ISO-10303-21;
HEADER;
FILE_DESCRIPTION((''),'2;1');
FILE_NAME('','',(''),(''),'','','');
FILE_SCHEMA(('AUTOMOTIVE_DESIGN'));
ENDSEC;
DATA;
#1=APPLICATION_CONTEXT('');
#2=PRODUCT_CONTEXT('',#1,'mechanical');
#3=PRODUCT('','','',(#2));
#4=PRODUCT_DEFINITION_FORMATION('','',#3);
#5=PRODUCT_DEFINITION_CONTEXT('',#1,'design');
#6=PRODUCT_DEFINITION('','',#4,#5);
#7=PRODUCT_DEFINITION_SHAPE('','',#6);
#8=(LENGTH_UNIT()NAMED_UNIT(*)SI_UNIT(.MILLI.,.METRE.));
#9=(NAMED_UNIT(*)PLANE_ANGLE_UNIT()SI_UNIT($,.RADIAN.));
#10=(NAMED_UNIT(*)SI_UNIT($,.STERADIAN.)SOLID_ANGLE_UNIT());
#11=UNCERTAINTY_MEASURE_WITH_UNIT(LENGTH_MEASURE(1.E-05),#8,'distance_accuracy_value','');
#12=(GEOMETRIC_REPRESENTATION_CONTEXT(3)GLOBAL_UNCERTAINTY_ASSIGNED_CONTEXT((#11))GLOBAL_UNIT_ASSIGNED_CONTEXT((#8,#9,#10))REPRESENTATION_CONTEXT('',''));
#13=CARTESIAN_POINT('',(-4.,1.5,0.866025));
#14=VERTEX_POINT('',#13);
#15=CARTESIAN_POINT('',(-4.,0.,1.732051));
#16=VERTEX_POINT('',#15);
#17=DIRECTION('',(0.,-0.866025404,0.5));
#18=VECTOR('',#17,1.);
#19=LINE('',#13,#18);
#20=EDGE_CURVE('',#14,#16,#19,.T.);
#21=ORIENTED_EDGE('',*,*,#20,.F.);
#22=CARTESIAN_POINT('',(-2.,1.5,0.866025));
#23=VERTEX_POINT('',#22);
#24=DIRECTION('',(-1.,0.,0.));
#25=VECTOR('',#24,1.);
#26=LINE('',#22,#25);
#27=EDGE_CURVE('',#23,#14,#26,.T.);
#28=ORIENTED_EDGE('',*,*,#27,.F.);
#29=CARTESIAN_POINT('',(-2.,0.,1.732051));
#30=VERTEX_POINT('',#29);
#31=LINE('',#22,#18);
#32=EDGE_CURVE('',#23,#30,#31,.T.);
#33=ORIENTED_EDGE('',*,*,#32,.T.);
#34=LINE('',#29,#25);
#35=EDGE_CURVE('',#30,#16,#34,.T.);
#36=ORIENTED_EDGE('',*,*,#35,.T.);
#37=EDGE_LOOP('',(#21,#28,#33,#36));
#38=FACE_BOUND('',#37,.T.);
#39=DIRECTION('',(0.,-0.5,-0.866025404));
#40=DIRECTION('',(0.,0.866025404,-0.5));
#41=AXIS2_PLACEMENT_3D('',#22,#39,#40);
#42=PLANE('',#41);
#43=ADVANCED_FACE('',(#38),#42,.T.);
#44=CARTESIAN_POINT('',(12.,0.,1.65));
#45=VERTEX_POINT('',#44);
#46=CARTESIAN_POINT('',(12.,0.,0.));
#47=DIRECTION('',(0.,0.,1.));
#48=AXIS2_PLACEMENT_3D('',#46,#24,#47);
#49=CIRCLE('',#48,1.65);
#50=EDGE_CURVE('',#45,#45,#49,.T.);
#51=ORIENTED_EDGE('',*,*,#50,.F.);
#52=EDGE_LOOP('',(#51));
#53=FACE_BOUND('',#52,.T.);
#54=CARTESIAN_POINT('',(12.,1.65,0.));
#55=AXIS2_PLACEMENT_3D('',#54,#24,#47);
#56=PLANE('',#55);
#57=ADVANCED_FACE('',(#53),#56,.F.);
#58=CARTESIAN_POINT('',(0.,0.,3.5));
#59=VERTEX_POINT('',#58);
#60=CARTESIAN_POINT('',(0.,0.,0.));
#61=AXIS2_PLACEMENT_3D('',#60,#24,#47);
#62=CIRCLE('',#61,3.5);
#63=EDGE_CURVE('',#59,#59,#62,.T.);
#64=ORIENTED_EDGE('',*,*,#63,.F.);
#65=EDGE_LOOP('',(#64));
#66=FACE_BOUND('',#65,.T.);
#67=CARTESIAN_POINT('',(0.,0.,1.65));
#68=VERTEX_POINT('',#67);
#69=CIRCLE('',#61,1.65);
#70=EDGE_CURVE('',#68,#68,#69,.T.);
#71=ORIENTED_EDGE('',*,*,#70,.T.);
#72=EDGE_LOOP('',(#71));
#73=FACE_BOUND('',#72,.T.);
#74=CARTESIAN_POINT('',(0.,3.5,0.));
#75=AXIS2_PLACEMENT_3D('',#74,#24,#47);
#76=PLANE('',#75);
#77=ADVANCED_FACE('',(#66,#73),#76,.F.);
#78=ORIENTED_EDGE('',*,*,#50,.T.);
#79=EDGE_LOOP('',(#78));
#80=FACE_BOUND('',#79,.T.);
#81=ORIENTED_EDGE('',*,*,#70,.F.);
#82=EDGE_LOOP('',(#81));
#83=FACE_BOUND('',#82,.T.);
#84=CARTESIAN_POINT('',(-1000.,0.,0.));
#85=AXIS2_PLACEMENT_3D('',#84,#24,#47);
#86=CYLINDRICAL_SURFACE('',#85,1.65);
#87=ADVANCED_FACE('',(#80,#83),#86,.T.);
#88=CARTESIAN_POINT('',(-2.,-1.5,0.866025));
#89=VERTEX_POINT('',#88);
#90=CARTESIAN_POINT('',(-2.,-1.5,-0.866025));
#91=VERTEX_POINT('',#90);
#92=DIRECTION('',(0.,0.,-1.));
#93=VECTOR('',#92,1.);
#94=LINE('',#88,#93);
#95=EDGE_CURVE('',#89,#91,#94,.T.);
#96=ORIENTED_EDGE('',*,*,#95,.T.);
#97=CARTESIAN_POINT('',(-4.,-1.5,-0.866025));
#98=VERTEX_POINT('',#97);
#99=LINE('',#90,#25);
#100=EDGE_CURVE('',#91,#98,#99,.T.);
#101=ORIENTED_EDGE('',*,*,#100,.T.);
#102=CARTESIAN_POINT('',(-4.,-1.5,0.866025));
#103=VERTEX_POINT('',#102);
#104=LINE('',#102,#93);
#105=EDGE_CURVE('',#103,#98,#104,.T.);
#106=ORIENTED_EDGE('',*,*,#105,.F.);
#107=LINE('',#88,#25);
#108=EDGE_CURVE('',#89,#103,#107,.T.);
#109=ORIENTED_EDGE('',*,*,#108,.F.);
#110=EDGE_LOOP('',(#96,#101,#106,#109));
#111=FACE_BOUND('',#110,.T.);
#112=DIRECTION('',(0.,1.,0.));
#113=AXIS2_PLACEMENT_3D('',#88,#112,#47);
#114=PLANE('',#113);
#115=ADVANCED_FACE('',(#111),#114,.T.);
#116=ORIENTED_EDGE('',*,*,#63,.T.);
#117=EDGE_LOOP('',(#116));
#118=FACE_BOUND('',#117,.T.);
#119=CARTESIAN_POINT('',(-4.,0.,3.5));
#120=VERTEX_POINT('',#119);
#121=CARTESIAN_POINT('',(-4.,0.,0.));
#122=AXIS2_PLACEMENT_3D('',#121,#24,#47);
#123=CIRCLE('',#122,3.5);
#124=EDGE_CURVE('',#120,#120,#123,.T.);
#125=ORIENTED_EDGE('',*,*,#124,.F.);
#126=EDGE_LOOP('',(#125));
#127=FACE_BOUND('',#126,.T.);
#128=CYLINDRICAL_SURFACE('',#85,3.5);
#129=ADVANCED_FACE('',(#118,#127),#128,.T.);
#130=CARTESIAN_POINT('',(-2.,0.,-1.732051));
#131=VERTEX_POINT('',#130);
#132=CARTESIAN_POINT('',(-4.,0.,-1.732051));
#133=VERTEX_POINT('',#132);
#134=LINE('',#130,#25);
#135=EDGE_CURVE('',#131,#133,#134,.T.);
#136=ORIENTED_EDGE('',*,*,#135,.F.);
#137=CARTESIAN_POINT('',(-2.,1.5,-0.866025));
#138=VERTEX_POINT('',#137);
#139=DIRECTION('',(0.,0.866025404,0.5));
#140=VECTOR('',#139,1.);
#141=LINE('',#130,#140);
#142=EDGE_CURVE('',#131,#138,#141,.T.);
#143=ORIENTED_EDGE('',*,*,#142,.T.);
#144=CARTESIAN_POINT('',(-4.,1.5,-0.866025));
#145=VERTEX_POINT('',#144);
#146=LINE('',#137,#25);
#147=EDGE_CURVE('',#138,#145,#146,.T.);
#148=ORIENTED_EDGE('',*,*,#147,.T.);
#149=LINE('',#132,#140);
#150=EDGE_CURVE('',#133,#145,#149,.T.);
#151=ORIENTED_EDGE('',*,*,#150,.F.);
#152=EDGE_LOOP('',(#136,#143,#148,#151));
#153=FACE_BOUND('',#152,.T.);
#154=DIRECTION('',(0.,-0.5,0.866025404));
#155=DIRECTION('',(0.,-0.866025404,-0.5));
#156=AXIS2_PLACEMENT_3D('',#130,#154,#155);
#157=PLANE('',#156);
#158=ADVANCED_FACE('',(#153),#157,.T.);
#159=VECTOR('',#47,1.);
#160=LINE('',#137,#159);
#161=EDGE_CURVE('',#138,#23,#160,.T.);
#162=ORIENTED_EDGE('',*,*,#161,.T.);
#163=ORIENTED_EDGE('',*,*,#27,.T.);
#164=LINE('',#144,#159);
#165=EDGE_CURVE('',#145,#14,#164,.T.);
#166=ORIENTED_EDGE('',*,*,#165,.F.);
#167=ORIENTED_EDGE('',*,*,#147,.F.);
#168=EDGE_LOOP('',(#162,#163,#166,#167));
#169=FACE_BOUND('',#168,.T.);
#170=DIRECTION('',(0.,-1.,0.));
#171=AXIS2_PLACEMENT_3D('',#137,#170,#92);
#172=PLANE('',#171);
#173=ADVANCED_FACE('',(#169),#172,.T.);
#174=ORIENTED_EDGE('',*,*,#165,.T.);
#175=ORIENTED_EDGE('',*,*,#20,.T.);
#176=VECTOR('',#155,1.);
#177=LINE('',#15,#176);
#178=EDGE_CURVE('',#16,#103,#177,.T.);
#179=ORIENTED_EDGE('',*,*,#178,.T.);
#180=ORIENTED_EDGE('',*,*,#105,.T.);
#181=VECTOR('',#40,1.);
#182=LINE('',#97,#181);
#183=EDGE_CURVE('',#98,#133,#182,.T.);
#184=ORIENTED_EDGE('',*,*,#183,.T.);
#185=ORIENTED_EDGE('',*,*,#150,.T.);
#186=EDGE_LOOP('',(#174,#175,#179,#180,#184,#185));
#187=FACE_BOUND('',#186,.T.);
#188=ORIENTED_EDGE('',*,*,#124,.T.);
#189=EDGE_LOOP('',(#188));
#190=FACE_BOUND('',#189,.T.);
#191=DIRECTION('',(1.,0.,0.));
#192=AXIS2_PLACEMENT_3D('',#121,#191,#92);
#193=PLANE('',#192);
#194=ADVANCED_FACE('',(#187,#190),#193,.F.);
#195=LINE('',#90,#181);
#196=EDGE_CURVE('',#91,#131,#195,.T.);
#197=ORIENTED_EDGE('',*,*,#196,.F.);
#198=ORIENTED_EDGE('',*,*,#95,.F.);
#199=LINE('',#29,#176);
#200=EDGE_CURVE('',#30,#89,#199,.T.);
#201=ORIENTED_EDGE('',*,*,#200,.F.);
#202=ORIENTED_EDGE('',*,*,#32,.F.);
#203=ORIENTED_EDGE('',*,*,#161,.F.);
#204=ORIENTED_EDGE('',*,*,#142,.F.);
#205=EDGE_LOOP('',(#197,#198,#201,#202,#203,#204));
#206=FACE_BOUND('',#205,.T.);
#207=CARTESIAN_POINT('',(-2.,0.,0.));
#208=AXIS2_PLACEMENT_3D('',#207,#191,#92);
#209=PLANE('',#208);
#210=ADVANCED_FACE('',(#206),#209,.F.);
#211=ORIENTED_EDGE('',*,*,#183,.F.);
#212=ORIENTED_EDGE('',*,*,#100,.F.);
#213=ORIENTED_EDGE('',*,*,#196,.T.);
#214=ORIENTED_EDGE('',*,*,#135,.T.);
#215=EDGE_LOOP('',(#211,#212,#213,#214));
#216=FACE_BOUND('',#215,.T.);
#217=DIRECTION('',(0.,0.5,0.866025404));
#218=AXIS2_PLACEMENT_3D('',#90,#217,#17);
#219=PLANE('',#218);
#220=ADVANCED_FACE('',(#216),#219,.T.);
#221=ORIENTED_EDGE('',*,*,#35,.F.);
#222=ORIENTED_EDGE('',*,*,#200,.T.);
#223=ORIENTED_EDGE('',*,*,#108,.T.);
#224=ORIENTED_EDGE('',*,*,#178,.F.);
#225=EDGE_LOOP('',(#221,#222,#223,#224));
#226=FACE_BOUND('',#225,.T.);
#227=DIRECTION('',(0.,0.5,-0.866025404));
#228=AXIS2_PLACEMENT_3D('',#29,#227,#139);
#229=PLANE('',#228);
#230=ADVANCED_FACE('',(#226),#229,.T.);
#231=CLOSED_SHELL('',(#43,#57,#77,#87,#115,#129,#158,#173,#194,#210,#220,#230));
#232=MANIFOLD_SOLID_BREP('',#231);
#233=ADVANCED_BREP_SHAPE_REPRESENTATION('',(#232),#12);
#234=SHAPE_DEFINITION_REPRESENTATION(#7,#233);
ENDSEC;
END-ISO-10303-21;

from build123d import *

# Parameters (mm, degrees)
SOCKET_DEPTH = 2


with BuildPart() as part:
    # Screw Sketch → Screw (revolve)
    with BuildSketch(Plane.XY):
        Polygon((-4, 0), (-4, 3.5), (0, 3.5), (0, 1.65), (12, 1.65), (12, 0), align=None)
    revolve(axis=Axis((-1000, 0, 0), (1, 0, 0)))

    # Socket Sketch → Socket (cut)
    with BuildSketch(Plane(origin=(-4, 0, 0), x_dir=(0, 0, -1), z_dir=(1, 0, 0))):
        Polygon((1.732050808, 0), (0.866025404, 1.5), (-0.866025404, 1.5), (-1.732050808, 0), (-0.866025404, -1.5), (0.866025404, -1.5), align=None)
    extrude(amount=SOCKET_DEPTH, mode=Mode.SUBTRACT)


solid = part.part
